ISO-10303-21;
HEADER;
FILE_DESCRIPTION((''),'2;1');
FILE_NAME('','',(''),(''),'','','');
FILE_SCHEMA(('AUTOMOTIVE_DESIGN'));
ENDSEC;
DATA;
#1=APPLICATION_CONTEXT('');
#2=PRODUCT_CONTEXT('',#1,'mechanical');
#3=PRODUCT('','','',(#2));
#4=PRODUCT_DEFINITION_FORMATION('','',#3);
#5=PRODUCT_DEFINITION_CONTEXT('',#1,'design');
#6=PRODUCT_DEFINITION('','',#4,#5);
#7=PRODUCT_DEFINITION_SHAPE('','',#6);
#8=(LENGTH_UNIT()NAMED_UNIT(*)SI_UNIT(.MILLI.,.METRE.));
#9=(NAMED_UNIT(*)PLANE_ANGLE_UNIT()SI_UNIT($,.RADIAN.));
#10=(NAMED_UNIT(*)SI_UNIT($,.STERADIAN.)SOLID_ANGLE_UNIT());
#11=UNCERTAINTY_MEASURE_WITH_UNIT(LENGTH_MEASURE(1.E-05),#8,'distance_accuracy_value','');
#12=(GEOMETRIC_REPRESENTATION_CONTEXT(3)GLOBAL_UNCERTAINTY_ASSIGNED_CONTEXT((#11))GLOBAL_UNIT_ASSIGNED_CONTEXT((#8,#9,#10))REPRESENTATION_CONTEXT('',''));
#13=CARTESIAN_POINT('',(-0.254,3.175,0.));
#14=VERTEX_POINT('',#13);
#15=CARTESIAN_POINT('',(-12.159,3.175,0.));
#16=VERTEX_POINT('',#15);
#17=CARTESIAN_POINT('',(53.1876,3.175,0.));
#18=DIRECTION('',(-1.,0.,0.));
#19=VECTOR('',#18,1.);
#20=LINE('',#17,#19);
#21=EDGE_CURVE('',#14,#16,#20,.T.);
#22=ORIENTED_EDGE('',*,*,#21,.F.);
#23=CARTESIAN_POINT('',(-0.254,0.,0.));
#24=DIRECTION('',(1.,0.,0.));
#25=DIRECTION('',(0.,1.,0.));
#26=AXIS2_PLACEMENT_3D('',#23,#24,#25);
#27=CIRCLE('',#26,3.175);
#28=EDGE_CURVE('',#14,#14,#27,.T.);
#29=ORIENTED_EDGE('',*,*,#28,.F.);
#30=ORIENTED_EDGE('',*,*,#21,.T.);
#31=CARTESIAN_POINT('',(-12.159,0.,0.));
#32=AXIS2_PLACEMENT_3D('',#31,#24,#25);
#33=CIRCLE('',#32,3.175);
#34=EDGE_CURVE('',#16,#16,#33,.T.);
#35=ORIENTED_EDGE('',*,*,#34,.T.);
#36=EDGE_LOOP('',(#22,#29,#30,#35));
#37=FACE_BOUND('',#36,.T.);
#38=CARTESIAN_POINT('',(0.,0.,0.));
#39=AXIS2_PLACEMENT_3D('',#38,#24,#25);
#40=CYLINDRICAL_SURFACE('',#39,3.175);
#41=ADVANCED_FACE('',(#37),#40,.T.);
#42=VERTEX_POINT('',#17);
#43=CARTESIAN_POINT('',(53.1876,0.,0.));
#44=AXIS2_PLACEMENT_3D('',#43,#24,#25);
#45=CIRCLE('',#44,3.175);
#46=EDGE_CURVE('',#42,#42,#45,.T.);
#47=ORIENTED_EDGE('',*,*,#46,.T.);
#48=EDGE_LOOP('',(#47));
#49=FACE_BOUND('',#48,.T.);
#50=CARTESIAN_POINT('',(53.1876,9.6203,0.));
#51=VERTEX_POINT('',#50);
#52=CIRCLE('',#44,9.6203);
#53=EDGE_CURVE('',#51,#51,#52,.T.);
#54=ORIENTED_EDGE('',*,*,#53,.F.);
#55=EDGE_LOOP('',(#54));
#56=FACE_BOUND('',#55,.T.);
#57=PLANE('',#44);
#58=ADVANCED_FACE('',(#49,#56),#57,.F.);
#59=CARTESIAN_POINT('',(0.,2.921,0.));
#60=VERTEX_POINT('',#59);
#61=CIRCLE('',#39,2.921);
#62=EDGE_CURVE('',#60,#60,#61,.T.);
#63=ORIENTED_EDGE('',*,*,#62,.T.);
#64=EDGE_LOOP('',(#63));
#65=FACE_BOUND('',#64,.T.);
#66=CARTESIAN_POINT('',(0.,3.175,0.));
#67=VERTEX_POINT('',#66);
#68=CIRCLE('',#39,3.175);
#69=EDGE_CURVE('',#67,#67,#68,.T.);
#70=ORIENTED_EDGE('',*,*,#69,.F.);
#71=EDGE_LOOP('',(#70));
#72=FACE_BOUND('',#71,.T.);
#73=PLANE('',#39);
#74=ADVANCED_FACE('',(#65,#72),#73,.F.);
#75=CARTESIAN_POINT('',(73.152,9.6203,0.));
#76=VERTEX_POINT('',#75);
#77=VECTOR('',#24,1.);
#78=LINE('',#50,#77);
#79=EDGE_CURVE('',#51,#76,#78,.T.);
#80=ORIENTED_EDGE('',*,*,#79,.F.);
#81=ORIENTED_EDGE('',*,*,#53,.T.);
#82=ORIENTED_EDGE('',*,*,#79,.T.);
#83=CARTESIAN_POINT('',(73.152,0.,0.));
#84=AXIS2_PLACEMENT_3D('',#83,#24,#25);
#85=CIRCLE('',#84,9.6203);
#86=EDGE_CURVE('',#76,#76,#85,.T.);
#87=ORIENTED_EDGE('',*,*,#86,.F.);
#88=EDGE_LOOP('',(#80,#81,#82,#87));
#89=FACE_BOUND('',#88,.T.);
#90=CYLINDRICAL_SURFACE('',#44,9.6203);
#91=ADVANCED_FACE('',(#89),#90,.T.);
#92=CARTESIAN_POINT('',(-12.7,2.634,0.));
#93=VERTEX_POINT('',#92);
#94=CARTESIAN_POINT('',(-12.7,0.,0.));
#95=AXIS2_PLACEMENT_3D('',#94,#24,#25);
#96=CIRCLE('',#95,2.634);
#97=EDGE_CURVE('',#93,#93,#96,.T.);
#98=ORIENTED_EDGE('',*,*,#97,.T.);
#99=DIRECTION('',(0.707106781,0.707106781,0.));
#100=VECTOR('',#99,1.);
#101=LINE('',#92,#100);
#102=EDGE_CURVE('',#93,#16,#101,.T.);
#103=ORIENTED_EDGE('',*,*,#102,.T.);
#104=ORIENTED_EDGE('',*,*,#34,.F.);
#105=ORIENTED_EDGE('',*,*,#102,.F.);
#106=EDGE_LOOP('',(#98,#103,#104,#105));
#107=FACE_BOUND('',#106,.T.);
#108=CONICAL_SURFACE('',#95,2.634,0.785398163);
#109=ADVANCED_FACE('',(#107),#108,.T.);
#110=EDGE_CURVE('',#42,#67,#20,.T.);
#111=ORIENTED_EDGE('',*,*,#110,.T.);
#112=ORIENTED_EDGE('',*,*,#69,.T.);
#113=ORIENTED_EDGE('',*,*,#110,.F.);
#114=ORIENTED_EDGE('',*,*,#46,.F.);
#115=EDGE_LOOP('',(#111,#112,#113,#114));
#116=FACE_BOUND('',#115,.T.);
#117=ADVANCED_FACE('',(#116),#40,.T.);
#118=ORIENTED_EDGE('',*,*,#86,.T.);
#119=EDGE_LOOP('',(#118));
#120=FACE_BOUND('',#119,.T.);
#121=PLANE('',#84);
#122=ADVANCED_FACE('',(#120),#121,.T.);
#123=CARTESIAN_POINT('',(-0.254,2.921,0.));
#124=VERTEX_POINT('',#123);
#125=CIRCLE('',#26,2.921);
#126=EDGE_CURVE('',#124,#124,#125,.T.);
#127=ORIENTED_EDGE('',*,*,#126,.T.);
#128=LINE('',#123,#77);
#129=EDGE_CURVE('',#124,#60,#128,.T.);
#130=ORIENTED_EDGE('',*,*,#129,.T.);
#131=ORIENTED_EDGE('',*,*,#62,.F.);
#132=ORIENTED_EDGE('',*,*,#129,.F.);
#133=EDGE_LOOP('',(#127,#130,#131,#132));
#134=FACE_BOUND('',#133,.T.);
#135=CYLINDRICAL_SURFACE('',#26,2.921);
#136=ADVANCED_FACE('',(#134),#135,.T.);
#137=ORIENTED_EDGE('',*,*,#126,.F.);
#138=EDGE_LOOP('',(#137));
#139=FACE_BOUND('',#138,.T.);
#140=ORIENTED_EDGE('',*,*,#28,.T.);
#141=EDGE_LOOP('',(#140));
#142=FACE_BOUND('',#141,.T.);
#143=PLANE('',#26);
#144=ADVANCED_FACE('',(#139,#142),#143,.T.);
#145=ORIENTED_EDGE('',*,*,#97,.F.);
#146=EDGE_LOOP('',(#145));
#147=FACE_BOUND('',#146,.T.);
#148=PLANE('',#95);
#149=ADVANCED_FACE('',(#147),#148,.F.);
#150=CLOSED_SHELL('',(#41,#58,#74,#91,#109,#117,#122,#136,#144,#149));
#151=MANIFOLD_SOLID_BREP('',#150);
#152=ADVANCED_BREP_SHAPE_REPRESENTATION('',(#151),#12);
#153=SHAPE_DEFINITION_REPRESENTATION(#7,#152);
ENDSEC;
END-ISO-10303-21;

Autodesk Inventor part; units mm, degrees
sketch "Sketch_1" plane through (0, 0, 0) normal (0, 0, 1) x (1, 0, 0)
  line L0 (73.152, 0) -> (0, 0)
  line L1 (0, 0) -> (0, 3.175)
  line L2 (0, 3.175) -> (53.1876, 3.175)
  line L3 (53.1876, 3.175) -> (53.1876, 9.6203)
  line L4 (53.1876, 9.6203) -> (73.152, 9.6203)
  line L5 (73.152, 9.6203) -> (73.152, 0)
  line L6 (73.152, 0) -> (0, 0)
revolve "Revolution1" add sketch "Sketch_1" angle 360 about axis through (73.152, 0, 0) along (1, 0, 0)
sketch "Sketch_3" plane through (0, 0, 0) normal (0, 0, 1) x (1, 0, 0)
  line L0 (0, 0) -> (-12.7, 0)
  line L1 (-12.7, 0) -> (-12.7, 2.634)
  line L2 (-12.7, 2.634) -> (-12.159, 3.175)
  line L3 (-12.159, 3.175) -> (0, 3.175)
  line L4 (0, 3.175) -> (0, 0)
  line L5 (0, 0) -> (-12.7, 0)
revolve "Revolution2" add sketch "Sketch_3" angle 360 about axis through (0, 0, 0) along (1, 0, 0)
thread "Thread1" size "1/4-28 UNF" class "2A" standard "ANSI Unified Screw Threads" length 12.159
sketch "Sketch_30" plane through (0, 0, 0) normal (0, 0, 1) x (1, 0, 0)
  line L0 (0, 0) -> (-0.254, 0)
  line L1 (-0.254, 2.921) -> (0, 2.921)
  line L2 (0, 2.921) -> (0, 3.429)
  line L3 (0, 3.429) -> (-0.254, 3.429)
  line L4 (-0.254, 3.429) -> (-0.254, 2.921)
revolve "Revolution3" cut sketch "Sketch_30" angle 360 about axis through (0, 0, 0) along (1, 0, 0)
ref_plane "dia1_XY" through (0, 3.175, 0) normal (1, 0, 0) x (0, 0, -1)
ref_plane "dia1_YZ" through (0, 3.175, 0) normal (0, 0, -1) x (0, 1, 0)
ref_plane "dia1_ZX" through (0, 3.175, 0) normal (0, 1, 0) x (1, 0, 0)
ref_plane "dia12_XY" through (0, 0, 10.9537) normal (1, 0, 0) x (0, 0, -1)
ref_plane "dia12_YZ" through (0, 0, 10.9537) normal (0, 0, -1) x (0, 1, 0)
ref_plane "dia12_ZX" through (0, 0, 10.9537) normal (0, 1, 0) x (1, 0, 0)
ref_plane "dia1r_XY" through (0, 0, 10.2235) normal (1, 0, 0) x (0, 0, -1)
ref_plane "dia1r_YZ" through (0, 0, 10.2235) normal (0, 0, -1) x (0, 1, 0)
ref_plane "dia1r_ZX" through (0, 0, 10.2235) normal (0, 1, 0) x (1, 0, 0)
ref_plane "dia2_XY" through (0, -3.175, 0) normal (1, 0, 0) x (0, 0, -1)
ref_plane "dia2_YZ" through (0, -3.175, 0) normal (0, 0, -1) x (0, 1, 0)
ref_plane "dia2_ZX" through (0, -3.175, 0) normal (0, 1, 0) x (1, 0, 0)
ref_plane "dia22_XY" through (0, 0, -10.9537) normal (1, 0, 0) x (0, 0, -1)
ref_plane "dia22_YZ" through (0, 0, -10.9537) normal (0, 0, -1) x (0, 1, 0)
ref_plane "dia22_ZX" through (0, 0, -10.9537) normal (0, 1, 0) x (1, 0, 0)
ref_plane "dia2r_XY" through (0, 0, -10.2235) normal (1, 0, 0) x (0, 0, -1)
ref_plane "dia2r_YZ" through (0, 0, -10.2235) normal (0, 0, -1) x (0, 1, 0)
ref_plane "dia2r_ZX" through (0, 0, -10.2235) normal (0, 1, 0) x (1, 0, 0)
ref_plane "rl1_XY" through (-12.7, 0, 0) normal (1, 0, 0) x (0, 0, -1)
ref_plane "rl1_YZ" through (-12.7, 0, 0) normal (0, 0, -1) x (0, 1, 0)
ref_plane "rl1_ZX" through (-12.7, 0, 0) normal (0, 1, 0) x (1, 0, 0)
ref_plane "rl2_XY" through (0, 0, 0) normal (1, 0, 0) x (0, 0, -1)
ref_plane "rl2_YZ" through (0, 0, 0) normal (0, 0, -1) x (0, 1, 0)
ref_plane "rl2_ZX" through (0, 0, 0) normal (0, 1, 0) x (1, 0, 0)
ref_plane "rod_cp_XY" through (0, 0, 0) normal (1, 0, 0) x (0, 0, -1)
ref_plane "rod_cp_YZ" through (0, 0, 0) normal (0, 0, -1) x (0, 1, 0)
ref_plane "rod_cp_ZX" through (0, 0, 0) normal (0, 1, 0) x (1, 0, 0)
ref_plane "stroke1_XY" through (0, 0, 0) normal (1, 0, 0) x (0, 0, -1)
ref_plane "stroke1_YZ" through (0, 0, 0) normal (0, 0, -1) x (0, 1, 0)
ref_plane "stroke1_ZX" through (0, 0, 0) normal (0, 1, 0) x (1, 0, 0)
ref_plane "thd1_XY" through (-12.7, 3.175, 0) normal (1, 0, 0) x (0, 0, -1)
ref_plane "thd1_YZ" through (-12.7, 3.175, 0) normal (0, 0, -1) x (0, 1, 0)
ref_plane "thd1_ZX" through (-12.7, 3.175, 0) normal (0, 1, 0) x (1, 0, 0)
ref_plane "thd2_XY" through (-12.7, -3.175, 0) normal (1, 0, 0) x (0, 0, -1)
ref_plane "thd2_YZ" through (-12.7, -3.175, 0) normal (0, 0, -1) x (0, 1, 0)
ref_plane "thd2_ZX" through (-12.7, -3.175, 0) normal (0, 1, 0) x (1, 0, 0)
ref_plane "to_rod_clevis_XY" through (-16.764, 0, 0) normal (1, 0, 0) x (0, 0, -1)
ref_plane "to_rod_clevis_YZ" through (-16.764, 0, 0) normal (0, 0, -1) x (0, 1, 0)
ref_plane "to_rod_clevis_ZX" through (-16.764, 0, 0) normal (0, 1, 0) x (1, 0, 0)
properties part number "C-040.5-RP0000_rod"
